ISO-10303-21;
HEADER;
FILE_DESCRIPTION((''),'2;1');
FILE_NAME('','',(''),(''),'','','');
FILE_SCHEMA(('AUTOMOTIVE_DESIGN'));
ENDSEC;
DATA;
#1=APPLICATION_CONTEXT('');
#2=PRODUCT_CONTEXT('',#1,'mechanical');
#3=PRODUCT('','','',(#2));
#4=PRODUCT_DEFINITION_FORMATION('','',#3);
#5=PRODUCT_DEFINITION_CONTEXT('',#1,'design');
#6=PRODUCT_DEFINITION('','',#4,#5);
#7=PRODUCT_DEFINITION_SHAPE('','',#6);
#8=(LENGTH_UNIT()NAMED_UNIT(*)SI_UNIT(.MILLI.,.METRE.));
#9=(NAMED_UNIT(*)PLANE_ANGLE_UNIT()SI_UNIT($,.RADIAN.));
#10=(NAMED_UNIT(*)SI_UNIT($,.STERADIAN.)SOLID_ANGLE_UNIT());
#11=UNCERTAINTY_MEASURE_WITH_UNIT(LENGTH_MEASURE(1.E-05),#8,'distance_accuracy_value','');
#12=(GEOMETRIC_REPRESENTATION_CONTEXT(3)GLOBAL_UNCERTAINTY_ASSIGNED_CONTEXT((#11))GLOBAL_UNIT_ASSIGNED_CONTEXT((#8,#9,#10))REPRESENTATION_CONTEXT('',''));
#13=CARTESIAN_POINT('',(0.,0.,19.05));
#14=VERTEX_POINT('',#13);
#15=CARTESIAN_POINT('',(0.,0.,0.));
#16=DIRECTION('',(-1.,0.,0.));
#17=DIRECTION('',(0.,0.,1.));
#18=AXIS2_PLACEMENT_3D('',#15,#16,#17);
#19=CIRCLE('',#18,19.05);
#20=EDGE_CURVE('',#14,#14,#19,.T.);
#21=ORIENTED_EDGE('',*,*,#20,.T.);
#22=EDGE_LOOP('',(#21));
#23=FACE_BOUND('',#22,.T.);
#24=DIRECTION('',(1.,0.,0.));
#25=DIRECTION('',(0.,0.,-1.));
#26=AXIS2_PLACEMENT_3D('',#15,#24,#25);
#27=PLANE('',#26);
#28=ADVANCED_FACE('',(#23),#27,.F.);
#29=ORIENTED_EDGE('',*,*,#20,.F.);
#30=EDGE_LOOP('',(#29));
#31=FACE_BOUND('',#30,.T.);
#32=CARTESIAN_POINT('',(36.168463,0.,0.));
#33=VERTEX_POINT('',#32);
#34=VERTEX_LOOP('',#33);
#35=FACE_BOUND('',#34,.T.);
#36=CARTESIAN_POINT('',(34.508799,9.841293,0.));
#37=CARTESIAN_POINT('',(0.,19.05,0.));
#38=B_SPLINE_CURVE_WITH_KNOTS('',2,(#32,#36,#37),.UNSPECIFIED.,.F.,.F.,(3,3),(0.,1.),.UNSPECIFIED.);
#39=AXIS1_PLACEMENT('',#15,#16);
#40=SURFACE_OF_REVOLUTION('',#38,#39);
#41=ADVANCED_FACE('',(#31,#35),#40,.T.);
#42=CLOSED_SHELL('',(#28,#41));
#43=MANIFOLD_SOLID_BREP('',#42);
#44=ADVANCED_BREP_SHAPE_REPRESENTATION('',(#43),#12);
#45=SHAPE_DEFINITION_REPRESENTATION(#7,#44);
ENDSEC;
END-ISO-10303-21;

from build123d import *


with BuildPart() as part:
    # Sketch1 → Revolve1 (revolve)
    with BuildSketch(Plane.XY):
        with BuildLine():
            Line((0, 0), (0, 19.05))
            add(Edge.make_bspline(
                [(0, 19.05), (34.508798701, 9.841293132), (36.168463011, 0)],
                knots=[0, 0, 0, 1, 1, 1], degree=2))
            Line((36.168463011, 0), (0, 0))
        make_face()
    revolve(axis=Axis((0, 0, 0), (1, 0, 0)))


solid = part.part
